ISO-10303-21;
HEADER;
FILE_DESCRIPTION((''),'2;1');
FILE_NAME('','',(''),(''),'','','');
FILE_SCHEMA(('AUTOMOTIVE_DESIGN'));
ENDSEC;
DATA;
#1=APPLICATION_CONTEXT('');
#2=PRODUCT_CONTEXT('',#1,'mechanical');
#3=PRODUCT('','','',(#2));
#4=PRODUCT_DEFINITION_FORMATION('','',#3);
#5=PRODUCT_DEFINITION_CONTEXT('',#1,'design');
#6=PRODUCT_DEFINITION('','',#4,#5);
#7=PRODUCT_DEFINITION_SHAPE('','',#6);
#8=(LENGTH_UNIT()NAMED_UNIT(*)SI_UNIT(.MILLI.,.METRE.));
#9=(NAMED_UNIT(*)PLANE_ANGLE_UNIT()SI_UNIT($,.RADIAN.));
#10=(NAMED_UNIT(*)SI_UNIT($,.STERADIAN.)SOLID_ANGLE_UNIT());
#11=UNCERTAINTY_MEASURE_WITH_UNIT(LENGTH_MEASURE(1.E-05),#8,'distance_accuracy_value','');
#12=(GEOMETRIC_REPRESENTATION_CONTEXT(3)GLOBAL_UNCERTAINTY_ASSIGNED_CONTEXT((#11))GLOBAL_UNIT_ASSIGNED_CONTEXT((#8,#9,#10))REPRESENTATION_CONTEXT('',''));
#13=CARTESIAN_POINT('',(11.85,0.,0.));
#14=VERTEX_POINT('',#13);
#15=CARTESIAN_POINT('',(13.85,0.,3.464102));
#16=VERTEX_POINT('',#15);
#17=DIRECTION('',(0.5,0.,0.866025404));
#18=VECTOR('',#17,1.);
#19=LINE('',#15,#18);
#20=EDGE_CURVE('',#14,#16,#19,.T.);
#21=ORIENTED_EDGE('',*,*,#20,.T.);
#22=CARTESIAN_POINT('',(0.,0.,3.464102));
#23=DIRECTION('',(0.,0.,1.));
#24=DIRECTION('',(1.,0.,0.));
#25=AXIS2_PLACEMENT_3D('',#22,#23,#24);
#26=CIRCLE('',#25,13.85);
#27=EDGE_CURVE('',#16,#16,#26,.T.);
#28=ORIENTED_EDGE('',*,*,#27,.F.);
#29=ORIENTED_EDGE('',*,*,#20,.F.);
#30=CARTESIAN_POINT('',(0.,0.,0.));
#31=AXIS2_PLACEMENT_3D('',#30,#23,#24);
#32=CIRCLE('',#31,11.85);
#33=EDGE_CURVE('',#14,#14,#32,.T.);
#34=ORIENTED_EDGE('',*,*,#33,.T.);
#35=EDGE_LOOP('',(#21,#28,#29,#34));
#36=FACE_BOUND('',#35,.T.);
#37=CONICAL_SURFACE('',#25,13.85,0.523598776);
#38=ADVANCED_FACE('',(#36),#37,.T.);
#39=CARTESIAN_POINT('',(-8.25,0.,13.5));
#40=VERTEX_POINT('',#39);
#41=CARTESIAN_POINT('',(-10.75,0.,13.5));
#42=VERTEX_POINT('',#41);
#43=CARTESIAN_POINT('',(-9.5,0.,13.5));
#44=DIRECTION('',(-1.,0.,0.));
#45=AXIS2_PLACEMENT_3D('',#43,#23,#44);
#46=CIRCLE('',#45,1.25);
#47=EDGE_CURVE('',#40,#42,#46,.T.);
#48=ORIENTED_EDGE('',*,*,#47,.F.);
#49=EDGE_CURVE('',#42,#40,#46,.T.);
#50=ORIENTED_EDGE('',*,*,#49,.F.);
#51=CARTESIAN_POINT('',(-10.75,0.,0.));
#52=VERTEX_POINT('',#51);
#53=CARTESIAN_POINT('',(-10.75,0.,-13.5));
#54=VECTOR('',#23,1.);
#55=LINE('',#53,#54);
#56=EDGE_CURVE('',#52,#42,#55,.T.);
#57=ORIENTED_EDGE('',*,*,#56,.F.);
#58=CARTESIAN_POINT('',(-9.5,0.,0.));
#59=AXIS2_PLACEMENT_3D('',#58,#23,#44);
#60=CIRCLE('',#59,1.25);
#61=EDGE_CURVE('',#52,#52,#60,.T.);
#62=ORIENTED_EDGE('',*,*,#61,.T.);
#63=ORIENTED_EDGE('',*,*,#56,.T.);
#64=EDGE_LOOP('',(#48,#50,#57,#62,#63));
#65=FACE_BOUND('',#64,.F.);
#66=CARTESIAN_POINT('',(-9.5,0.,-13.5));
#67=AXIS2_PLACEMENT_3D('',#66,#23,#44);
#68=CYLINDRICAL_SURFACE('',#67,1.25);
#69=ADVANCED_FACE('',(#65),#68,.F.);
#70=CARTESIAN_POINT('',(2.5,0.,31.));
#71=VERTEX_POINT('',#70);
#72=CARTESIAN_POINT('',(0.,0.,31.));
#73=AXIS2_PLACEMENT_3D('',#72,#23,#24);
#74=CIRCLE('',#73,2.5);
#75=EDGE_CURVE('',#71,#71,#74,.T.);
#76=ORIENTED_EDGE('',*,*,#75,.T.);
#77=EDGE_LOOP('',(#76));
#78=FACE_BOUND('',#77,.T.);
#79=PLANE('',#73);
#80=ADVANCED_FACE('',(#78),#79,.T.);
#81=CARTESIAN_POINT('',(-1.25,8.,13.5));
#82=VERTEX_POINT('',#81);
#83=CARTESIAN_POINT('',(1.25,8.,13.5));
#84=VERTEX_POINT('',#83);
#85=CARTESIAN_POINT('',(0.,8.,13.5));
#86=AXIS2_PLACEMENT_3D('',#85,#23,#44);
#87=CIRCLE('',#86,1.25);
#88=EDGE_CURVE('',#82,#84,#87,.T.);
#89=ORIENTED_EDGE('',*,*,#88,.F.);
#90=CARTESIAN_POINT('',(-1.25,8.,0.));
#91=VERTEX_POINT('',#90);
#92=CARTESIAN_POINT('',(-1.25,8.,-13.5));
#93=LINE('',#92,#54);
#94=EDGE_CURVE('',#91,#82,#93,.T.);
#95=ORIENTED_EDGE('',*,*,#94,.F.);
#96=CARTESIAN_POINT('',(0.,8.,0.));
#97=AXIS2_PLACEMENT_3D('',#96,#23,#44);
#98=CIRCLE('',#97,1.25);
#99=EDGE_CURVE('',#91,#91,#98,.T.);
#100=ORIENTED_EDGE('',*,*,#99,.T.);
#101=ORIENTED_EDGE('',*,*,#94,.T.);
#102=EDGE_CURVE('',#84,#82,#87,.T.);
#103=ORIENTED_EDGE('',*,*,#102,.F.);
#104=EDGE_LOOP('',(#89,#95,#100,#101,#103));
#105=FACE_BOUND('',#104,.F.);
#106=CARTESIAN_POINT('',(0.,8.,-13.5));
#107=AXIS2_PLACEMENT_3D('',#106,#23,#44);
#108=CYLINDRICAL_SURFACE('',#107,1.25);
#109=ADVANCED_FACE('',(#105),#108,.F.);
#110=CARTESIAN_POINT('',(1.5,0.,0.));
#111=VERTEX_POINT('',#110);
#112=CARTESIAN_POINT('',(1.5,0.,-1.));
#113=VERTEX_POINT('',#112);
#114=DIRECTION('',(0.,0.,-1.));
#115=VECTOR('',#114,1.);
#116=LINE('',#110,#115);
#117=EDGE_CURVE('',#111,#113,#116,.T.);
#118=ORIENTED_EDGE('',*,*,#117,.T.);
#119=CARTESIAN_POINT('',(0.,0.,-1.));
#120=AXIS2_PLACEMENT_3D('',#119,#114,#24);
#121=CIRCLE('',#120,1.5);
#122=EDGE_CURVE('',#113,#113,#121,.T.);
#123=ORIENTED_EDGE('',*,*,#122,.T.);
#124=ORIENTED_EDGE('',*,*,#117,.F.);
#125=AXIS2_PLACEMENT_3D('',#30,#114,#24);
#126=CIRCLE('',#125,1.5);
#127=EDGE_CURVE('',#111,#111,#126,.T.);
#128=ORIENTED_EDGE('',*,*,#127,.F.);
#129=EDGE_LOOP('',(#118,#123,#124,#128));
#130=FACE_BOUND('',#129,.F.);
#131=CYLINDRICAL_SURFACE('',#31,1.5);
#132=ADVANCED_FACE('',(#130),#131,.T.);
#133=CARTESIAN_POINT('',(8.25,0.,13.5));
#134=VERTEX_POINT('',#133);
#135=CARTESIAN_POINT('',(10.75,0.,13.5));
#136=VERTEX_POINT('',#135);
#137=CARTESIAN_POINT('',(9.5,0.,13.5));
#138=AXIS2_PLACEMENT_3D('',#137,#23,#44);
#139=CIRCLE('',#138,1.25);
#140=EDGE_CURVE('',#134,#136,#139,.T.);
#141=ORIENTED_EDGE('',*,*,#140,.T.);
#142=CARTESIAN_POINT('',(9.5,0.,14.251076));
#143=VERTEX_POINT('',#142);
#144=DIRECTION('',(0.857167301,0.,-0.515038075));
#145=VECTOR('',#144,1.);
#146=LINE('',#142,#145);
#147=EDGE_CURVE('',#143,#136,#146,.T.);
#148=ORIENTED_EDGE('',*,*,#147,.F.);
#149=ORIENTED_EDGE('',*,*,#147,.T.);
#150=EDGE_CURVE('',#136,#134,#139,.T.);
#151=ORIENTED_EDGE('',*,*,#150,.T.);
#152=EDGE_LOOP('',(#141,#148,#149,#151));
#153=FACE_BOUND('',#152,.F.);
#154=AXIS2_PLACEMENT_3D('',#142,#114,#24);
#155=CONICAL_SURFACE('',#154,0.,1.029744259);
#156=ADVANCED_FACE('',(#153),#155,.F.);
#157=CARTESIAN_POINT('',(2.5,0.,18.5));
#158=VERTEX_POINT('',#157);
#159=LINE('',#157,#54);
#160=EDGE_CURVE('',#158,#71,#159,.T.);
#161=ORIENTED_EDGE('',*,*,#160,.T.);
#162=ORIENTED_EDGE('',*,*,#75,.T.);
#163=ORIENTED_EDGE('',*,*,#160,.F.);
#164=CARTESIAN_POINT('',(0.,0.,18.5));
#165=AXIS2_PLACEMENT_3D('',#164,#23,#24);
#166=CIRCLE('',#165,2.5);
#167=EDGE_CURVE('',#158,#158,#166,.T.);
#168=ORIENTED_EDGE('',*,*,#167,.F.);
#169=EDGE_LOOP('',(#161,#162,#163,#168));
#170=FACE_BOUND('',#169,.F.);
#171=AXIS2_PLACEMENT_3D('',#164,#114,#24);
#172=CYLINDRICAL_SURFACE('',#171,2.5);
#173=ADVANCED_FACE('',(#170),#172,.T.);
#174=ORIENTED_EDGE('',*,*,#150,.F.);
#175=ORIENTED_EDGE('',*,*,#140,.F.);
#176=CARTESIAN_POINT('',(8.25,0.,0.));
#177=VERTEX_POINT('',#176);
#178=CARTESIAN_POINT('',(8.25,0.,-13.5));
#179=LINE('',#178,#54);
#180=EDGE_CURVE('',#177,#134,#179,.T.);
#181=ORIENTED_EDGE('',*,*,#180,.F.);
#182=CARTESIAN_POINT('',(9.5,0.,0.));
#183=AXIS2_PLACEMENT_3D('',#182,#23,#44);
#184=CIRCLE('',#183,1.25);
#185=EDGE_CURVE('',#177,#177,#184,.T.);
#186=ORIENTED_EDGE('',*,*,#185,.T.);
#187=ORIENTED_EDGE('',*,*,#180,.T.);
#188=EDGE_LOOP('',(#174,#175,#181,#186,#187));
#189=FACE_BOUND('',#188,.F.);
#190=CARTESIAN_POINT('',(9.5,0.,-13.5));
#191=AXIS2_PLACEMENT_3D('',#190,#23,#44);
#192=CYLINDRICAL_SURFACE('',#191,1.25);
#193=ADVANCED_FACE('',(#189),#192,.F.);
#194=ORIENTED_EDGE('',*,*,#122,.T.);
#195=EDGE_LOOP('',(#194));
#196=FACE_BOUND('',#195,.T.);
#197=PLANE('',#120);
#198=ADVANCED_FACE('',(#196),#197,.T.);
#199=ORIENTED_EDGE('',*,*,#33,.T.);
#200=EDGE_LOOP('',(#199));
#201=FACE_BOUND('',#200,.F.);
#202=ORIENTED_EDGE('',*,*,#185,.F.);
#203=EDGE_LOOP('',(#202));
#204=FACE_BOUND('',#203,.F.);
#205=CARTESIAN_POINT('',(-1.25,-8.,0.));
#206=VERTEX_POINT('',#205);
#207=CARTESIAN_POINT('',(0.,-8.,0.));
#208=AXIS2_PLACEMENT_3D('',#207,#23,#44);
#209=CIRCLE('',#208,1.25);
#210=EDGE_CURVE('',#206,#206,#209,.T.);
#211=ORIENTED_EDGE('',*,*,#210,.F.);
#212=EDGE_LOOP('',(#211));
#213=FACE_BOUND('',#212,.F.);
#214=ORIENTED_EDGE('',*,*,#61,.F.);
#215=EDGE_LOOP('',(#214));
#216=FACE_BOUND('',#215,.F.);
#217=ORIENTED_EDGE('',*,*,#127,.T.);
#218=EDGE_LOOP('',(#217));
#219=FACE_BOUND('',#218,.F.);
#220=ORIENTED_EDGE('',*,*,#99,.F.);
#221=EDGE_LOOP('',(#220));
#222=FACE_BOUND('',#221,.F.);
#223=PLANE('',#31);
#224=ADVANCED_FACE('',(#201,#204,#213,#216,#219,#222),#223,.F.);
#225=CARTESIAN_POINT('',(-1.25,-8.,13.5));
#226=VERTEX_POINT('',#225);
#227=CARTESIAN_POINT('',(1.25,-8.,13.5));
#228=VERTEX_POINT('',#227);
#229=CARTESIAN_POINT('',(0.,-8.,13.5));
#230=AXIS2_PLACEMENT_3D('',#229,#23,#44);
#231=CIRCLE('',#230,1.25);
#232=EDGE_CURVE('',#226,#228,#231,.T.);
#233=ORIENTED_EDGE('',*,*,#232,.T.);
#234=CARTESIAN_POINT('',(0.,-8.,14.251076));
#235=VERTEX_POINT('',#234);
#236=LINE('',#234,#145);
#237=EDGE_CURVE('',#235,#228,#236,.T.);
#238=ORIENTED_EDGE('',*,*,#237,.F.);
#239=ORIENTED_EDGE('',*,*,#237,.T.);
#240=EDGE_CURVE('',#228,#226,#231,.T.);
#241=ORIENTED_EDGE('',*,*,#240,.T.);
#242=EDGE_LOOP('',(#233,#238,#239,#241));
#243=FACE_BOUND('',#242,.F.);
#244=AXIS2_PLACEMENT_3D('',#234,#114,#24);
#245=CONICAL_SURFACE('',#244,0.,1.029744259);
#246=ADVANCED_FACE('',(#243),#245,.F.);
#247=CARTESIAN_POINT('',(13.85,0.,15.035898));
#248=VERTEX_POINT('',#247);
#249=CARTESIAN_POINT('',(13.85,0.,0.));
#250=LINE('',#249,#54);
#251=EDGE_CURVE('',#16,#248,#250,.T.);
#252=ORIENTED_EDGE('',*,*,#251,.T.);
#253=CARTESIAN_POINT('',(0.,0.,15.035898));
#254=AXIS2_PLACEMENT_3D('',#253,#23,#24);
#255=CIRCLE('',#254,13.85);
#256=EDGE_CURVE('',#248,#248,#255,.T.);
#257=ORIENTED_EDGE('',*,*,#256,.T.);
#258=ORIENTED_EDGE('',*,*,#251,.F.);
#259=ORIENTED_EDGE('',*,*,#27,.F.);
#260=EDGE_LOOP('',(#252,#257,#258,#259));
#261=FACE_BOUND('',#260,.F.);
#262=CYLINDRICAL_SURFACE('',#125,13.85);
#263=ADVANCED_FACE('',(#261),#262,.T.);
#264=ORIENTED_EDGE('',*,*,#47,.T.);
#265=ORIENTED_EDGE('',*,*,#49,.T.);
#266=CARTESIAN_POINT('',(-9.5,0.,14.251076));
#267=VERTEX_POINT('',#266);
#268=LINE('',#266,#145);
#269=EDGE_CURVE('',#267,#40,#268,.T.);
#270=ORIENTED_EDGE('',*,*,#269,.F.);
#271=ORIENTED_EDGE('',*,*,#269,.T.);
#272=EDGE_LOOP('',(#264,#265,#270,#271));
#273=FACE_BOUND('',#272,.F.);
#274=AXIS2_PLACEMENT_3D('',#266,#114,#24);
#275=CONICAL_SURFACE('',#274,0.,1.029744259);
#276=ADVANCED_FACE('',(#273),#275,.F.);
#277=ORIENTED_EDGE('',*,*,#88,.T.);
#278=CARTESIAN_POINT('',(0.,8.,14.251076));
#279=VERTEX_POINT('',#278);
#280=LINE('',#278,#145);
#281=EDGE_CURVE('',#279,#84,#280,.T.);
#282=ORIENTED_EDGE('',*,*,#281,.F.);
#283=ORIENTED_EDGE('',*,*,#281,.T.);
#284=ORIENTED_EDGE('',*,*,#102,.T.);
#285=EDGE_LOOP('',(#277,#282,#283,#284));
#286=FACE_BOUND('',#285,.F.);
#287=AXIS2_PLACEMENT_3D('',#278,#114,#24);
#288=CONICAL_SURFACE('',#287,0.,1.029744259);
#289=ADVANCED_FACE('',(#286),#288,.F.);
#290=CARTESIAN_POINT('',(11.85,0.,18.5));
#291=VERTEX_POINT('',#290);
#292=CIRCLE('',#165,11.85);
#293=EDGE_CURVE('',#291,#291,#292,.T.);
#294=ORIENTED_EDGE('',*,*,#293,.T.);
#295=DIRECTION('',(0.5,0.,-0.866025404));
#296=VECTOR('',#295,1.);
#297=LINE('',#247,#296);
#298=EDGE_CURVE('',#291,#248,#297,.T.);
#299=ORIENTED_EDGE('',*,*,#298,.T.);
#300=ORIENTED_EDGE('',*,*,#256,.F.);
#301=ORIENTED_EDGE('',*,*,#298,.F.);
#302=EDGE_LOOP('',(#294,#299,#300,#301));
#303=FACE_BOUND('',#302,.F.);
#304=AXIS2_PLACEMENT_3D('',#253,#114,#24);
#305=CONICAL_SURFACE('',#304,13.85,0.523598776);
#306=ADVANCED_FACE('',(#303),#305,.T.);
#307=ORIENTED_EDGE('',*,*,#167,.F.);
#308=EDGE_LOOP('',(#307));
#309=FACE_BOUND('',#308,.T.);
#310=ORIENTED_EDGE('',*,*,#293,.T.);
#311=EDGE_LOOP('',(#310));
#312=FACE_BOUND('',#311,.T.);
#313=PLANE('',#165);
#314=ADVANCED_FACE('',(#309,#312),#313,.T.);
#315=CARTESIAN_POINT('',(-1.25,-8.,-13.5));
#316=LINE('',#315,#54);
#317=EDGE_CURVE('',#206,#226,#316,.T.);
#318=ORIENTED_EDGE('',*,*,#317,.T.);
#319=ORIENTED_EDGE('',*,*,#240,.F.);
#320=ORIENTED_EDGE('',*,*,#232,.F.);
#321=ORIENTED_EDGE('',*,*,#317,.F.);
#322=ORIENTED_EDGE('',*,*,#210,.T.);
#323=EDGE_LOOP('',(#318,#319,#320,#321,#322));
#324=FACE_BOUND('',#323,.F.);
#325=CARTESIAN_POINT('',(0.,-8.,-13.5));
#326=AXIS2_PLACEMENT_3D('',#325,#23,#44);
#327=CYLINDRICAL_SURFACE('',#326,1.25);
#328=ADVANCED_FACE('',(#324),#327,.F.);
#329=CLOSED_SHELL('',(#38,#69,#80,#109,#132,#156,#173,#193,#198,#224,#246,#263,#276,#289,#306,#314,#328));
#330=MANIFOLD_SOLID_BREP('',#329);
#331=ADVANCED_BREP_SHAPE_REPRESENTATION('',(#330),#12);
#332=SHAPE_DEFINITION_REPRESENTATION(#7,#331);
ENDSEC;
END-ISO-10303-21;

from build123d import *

# Parameters (mm, degrees)
F0_R       = 13.85
F1_DEPTH   = 18.5
F2_R       = 1.5
F3_DEPTH   = 1
F4_R       = 2.5
F5_DEPTH   = 12.5
F6_SIZE2   = 3.4641016151
F6_SIZE    = 2
F6_2_SIZE2 = 3.4641016151
F6_2_SIZE  = 2
F8_D       = 2.5
F8_DEPTH   = 13.5
F8_TIP     = 0.7510757738


with BuildPart() as f1:
    # F0 (on Top) → F1 (new body)
    with BuildSketch(Plane.XY):
        Circle(F0_R)
    extrude(amount=F1_DEPTH)

    # F2 (on face) → F3 (join)
    with BuildSketch(Plane(origin=(0, 0, 0), x_dir=(1, 0, 0), z_dir=(0, 0, -1))):
        Circle(F2_R)
    extrude(amount=F3_DEPTH)

    # F4 (on face) → F5 (join)
    with BuildSketch(Plane.XY.offset(18.5)):
        Circle(F4_R)
    extrude(amount=F5_DEPTH)

    # F6
    f6_edges = [f1.edges().sort_by_distance(p)[0] for p in [
        (-13.85, 0, 18.5),
    ]]
    f6_side = f1.faces().sort_by_distance((-13.458263, 0, 18.5))[0]
    chamfer(f6_edges, length=F6_SIZE, length2=F6_SIZE2, reference=f6_side)

    # F6#2
    f6_2_edges = [f1.edges().sort_by_distance(p)[0] for p in [
        (-13.85, 0, 0),
    ]]
    f6_2_side = f1.faces().sort_by_distance((-13.458263, 0, 0))[0]
    chamfer(f6_2_edges, length=F6_2_SIZE, length2=F6_2_SIZE2, reference=f6_2_side)

    # F8
    with Locations(Plane(origin=(0, 0, 0), x_dir=(1, 0, 0), z_dir=(0, 0, -1))):
        with Locations((-9.5, 0), (0, 8), (9.5, 0), (0, -8)):
            Hole(F8_D / 2, depth=F8_DEPTH)
            with Locations((0, 0, -(F8_DEPTH + F8_TIP / 2))):  # 118° drill point
                Cone(0, F8_D / 2, F8_TIP, mode=Mode.SUBTRACT)


solid = f1.part
